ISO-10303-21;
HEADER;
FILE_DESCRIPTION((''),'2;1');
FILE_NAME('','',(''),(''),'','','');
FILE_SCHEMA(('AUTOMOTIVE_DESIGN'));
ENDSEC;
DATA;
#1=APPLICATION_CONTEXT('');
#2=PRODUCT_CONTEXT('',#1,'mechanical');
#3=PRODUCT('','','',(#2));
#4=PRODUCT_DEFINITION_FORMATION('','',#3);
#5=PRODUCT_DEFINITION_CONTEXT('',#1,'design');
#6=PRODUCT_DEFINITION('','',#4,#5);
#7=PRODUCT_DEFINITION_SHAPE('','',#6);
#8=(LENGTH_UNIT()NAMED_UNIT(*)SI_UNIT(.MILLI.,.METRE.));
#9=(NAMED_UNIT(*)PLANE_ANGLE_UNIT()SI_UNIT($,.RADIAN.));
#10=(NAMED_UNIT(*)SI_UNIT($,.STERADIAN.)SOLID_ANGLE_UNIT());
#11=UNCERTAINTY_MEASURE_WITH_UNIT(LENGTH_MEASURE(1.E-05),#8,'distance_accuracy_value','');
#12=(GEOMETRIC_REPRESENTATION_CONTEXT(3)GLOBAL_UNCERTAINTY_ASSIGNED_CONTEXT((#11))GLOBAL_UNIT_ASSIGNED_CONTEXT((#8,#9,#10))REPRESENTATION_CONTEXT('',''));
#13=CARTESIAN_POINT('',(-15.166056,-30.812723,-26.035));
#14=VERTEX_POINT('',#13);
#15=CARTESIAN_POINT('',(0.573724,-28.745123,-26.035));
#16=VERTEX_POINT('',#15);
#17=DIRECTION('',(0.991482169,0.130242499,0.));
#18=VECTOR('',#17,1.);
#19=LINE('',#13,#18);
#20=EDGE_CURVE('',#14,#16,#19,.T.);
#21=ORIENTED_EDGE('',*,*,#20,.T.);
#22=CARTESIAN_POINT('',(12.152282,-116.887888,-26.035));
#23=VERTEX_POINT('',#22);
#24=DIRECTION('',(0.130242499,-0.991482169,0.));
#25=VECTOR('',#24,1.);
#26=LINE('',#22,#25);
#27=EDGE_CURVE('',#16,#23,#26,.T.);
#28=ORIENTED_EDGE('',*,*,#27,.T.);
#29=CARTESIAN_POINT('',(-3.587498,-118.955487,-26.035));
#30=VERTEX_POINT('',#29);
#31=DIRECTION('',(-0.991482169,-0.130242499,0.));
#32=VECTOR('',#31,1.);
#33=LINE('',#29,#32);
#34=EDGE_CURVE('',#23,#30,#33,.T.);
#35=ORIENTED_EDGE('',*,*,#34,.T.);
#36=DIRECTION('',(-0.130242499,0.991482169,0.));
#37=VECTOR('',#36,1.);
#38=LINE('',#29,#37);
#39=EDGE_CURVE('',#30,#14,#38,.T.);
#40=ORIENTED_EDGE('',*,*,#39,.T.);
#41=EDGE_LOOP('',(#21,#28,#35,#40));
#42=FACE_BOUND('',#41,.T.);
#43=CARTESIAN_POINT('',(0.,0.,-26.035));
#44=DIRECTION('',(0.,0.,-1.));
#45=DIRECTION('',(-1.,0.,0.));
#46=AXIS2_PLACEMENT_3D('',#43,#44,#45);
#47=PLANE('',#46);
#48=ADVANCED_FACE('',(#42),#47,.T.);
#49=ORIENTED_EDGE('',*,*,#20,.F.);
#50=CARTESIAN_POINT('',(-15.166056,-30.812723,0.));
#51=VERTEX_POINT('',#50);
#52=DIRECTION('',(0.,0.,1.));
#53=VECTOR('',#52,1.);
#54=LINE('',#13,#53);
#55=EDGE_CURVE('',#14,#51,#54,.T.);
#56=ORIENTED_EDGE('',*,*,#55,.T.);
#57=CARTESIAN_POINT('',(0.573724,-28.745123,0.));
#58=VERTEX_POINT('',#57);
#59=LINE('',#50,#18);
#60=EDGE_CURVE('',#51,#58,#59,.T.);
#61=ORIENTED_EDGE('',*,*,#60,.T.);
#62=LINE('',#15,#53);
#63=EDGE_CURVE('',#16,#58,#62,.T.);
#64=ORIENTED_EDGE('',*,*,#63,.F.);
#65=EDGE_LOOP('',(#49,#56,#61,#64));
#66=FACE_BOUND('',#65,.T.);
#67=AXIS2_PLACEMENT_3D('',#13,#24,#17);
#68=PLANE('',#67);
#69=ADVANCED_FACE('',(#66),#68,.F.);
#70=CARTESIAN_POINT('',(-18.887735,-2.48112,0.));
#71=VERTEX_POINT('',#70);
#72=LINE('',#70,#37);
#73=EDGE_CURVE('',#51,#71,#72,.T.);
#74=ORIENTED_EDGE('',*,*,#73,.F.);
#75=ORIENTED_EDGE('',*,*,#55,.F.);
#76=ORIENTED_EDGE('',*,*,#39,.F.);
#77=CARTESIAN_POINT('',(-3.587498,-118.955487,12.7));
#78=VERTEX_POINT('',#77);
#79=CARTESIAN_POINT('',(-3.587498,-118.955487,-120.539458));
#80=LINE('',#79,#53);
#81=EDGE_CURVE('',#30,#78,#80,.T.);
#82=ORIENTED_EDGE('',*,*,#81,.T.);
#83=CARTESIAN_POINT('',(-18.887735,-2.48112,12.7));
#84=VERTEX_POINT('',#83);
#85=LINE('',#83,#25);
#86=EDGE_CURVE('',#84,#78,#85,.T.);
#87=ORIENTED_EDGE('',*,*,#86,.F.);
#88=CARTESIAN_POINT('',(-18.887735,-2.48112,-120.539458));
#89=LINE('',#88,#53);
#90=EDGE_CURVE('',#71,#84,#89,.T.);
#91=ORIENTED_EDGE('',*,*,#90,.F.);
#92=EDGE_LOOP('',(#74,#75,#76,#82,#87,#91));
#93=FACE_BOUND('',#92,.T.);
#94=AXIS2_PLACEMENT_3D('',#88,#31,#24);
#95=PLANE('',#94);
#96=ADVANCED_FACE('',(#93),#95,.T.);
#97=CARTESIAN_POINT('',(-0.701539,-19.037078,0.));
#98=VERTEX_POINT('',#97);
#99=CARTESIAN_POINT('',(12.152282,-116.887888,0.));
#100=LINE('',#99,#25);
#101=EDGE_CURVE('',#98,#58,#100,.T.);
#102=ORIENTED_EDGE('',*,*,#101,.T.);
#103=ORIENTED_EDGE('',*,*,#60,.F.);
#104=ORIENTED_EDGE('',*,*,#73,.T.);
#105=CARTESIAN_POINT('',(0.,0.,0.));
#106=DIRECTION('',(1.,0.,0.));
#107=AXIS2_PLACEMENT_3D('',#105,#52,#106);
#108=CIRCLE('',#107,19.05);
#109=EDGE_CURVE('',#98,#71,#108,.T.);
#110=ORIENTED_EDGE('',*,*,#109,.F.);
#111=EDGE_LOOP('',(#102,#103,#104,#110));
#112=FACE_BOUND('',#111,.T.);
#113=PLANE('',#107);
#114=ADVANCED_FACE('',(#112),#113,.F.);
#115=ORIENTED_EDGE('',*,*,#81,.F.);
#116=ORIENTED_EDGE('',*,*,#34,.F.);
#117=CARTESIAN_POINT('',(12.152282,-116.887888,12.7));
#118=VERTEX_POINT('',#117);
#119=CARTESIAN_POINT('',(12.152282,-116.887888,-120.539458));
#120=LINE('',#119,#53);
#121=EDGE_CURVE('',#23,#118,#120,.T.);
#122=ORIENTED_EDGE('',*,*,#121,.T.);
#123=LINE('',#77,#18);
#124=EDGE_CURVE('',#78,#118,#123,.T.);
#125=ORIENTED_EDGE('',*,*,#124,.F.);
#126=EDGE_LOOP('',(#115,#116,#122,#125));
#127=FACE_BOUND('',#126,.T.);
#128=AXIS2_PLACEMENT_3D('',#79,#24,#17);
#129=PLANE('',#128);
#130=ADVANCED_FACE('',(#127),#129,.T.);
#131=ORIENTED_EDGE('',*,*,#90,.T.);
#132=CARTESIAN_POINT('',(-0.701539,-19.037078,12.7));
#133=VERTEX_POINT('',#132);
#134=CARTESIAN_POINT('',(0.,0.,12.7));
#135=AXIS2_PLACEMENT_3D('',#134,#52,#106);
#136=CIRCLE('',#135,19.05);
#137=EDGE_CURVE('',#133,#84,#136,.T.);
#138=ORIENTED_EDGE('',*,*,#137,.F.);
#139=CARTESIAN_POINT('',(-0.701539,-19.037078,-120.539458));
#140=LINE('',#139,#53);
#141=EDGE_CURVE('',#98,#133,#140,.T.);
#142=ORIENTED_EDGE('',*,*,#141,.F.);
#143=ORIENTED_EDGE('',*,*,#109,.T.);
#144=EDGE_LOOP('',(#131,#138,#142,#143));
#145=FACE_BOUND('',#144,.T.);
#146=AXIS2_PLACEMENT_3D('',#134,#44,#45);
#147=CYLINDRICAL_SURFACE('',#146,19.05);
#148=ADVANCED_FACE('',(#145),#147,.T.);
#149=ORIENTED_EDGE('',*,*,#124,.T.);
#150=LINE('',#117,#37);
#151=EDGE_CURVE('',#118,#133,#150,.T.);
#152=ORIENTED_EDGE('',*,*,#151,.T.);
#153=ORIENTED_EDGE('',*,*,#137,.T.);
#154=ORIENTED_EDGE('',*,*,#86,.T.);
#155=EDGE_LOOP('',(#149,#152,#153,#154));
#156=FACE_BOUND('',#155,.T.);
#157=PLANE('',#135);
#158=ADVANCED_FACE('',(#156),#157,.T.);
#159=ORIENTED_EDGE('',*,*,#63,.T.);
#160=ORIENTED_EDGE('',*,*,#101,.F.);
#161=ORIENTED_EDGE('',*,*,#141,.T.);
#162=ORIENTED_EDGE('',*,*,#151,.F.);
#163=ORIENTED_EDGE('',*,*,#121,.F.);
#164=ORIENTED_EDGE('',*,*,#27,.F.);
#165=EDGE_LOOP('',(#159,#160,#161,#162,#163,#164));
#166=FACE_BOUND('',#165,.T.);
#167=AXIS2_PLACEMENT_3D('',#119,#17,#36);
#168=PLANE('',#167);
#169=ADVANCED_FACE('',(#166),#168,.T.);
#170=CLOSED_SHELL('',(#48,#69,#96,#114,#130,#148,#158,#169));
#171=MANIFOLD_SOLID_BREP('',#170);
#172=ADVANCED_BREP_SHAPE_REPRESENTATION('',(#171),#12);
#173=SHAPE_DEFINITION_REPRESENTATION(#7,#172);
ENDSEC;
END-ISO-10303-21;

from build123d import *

# Parameters (mm, degrees)
SKETCH1_R           = 19.05
BOSS_EXTRUDE1_DEPTH = 12.7
BOSS_EXTRUDE2_START = -12.7
BOSS_EXTRUDE2_DEPTH = 12.7
BOSS_EXTRUDE3_DEPTH = 26.035


with BuildPart() as part:
    # Sketch1 → Boss-Extrude1 (new body)
    with BuildSketch(Plane.XY):
        Circle(SKETCH1_R)
    extrude(amount=BOSS_EXTRUDE1_DEPTH)

    # Sketch2 → Boss-Extrude2 (add)
    with BuildSketch(Plane.XY.offset(12.7).offset(BOSS_EXTRUDE2_START)):
        with BuildLine():
            Line((-18.887735318, -2.481119615), (-3.587497693, -118.955487411))
            Line((-3.587497693, -118.955487411), (12.152281739, -116.887887732))
            Line((12.152281739, -116.887887732), (-0.701538954, -19.037078113))
            ThreePointArc((-0.701538954, -19.037078113), (-12.824190309, -14.08696713), (-18.887735318, -2.481119615))
        make_face()
    extrude(amount=BOSS_EXTRUDE2_DEPTH)

    # Sketch3 → Boss-Extrude3 (add)
    with BuildSketch(Plane(origin=(0, 0, 0), x_dir=(-1, 0, 0), z_dir=(0, 0, -1))):
        Polygon((3.587497693, -118.955487411), (-12.152281739, -116.887887732), (-0.573723536, -28.745122913), (15.166055896, -30.812722592), align=None)
    extrude(amount=BOSS_EXTRUDE3_DEPTH)


solid = part.part
